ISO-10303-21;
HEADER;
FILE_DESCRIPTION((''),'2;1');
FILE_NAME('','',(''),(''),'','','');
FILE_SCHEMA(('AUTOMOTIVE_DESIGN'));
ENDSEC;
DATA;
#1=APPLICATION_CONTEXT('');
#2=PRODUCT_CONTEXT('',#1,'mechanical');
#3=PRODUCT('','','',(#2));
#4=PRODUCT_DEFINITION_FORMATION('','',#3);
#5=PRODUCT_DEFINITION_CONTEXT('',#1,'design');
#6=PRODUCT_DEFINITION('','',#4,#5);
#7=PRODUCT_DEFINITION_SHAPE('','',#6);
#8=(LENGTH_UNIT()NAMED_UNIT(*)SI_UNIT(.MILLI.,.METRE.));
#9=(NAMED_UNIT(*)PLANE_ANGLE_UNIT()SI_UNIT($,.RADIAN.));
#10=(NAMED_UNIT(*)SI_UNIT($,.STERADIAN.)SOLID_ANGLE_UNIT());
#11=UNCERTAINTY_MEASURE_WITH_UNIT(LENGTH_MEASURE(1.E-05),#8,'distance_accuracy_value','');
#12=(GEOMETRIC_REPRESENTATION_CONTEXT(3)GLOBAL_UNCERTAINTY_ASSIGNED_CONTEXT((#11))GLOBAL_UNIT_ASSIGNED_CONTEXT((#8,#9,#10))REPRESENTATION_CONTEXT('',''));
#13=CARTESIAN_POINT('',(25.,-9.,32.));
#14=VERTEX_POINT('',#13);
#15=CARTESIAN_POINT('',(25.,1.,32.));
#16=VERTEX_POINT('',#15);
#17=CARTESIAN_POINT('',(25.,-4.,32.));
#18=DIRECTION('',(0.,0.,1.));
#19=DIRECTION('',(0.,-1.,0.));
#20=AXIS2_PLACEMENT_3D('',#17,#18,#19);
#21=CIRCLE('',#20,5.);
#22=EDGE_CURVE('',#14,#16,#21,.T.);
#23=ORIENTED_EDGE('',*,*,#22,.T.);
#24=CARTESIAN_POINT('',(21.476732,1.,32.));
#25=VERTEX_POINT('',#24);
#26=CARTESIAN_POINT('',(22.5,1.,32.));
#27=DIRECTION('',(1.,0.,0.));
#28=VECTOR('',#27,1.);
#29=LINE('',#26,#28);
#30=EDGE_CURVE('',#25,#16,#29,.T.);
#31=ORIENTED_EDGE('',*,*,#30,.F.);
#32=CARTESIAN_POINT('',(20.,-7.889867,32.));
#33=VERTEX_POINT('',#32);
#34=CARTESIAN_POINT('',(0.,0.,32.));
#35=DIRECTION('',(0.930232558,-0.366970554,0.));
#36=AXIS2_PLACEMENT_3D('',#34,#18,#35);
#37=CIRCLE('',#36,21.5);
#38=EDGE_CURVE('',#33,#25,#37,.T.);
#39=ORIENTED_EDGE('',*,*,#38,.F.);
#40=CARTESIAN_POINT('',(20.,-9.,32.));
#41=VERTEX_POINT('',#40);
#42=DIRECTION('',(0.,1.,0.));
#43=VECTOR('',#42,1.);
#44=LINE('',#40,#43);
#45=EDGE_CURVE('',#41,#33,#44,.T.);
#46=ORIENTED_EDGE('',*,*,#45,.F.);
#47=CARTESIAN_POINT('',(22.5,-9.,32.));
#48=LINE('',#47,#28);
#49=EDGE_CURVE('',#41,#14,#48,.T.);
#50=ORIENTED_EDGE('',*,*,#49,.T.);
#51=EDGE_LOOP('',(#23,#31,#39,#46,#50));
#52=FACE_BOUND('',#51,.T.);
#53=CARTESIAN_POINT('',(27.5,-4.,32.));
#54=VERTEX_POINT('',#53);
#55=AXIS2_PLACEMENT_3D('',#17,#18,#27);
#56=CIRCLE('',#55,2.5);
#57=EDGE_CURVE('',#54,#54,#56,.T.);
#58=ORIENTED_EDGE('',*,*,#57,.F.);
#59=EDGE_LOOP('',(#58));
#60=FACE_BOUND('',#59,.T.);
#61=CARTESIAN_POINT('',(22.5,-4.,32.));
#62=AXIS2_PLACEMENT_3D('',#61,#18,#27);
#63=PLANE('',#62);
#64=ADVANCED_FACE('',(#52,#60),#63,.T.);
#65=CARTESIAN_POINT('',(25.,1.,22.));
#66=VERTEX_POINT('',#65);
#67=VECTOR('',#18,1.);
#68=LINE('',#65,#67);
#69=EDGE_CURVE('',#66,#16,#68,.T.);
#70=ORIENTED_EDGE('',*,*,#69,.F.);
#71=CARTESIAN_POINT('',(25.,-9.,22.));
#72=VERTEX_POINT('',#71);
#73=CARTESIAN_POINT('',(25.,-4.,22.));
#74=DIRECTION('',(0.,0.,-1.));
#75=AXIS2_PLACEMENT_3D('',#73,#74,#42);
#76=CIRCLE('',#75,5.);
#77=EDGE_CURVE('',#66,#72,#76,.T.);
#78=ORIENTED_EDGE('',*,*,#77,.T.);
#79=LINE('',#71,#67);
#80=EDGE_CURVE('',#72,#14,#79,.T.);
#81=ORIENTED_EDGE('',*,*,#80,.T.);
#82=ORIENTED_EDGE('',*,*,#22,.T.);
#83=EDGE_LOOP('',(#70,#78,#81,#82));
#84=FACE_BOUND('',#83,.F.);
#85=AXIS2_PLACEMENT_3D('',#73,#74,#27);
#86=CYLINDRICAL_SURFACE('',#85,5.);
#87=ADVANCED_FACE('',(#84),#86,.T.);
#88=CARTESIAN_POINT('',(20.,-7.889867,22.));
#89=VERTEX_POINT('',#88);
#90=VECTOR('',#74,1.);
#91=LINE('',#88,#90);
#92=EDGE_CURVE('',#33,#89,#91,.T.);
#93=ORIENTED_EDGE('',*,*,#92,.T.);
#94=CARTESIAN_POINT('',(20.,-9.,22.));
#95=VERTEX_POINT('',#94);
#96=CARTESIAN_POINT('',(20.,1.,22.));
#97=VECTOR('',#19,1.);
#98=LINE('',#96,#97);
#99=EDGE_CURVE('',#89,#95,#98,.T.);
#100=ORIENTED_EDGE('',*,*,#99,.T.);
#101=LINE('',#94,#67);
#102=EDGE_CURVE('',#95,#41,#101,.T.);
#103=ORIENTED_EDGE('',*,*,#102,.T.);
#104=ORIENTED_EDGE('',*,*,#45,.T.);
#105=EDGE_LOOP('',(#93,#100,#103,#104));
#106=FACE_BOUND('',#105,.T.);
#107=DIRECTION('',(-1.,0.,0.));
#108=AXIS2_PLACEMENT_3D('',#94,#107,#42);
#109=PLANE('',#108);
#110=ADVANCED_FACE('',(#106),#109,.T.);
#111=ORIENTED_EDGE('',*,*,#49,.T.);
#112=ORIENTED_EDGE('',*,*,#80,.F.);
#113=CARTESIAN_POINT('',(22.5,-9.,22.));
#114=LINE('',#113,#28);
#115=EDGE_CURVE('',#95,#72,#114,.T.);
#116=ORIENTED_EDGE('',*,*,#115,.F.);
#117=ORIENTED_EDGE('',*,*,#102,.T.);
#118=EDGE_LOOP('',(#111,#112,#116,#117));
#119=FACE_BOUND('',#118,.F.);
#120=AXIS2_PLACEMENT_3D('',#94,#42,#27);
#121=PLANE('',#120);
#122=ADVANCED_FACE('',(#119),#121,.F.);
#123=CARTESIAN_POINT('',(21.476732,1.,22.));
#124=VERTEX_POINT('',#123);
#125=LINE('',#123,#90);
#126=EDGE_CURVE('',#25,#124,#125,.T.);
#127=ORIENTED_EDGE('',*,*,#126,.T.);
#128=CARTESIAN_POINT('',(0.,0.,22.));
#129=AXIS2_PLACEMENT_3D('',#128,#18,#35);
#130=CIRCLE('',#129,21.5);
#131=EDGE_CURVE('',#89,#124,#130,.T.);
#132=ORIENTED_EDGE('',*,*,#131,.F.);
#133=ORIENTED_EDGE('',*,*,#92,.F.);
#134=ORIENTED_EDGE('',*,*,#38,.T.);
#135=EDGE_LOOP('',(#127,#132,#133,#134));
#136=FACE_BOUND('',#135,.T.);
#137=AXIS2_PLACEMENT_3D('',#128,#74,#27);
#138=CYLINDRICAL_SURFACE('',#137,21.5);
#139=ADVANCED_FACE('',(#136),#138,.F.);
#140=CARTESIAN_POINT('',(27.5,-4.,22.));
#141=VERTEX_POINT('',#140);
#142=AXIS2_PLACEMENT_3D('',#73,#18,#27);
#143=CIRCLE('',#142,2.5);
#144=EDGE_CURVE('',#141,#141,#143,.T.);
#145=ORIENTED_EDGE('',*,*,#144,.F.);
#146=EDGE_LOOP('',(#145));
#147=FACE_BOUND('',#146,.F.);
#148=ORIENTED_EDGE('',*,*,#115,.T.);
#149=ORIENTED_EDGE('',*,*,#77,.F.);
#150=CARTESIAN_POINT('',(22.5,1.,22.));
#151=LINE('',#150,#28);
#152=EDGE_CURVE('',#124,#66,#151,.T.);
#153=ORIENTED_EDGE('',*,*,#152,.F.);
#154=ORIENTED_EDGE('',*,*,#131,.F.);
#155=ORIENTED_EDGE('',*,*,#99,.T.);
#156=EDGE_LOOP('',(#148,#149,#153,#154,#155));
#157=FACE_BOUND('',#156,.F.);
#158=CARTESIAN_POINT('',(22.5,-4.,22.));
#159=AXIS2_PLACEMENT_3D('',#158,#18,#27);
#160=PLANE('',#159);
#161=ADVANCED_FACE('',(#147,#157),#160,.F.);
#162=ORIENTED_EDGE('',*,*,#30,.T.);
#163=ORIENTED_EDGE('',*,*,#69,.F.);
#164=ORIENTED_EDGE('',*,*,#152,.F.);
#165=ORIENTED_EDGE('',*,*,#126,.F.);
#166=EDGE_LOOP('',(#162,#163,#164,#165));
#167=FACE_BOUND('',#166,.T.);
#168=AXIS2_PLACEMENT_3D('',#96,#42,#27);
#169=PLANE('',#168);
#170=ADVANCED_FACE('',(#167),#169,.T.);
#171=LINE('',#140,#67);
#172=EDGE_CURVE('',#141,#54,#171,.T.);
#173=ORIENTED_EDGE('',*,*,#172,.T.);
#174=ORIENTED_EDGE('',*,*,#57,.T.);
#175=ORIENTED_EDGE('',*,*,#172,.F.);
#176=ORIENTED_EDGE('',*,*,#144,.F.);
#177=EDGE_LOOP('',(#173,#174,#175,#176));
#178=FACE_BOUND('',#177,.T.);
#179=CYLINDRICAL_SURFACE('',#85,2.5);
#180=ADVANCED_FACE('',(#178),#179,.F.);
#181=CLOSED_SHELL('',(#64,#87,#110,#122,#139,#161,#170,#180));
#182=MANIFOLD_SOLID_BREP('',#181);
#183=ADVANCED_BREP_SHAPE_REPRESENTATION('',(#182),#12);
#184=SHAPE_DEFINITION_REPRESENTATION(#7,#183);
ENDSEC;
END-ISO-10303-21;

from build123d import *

# Parameters (mm, degrees)
CYLINDER416_R     = 2.5
CYLINDER416_DEPTH = 10
CYLINDER418_R     = 21.5
CYLINDER418_DEPTH = 63
BOX001_W          = 5
BOX001_H          = 10
BOX001_DEPTH      = 10
CYLINDER417_R     = 5
CYLINDER417_DEPTH = 10


with BuildPart() as cylinder416:
    # Cylinder416 → Cylinder416 (new body)
    with BuildSketch(Plane(origin=(25, -4, 0), x_dir=(1, 0, 0), z_dir=(0, 0, 1))):
        Circle(CYLINDER416_R)
    extrude(amount=CYLINDER416_DEPTH)


with BuildPart() as fusion093:
    # Cylinder418 → Cylinder418 (new body)
    with BuildSketch(Plane.XY):
        Circle(CYLINDER418_R)
    extrude(amount=CYLINDER418_DEPTH)

    # Fusion093: union Cylinder416
    add(cylinder416.part)


with BuildPart() as cube001:
    # Box001 → Box001 (new body)
    with BuildSketch(Plane(origin=(20, -9, 0), x_dir=(1, 0, 0), z_dir=(0, 0, 1))):
        with Locations((2.5, 5)):
            Rectangle(BOX001_W, BOX001_H)
    extrude(amount=BOX001_DEPTH)


with BuildPart() as slider:
    # Cylinder417 → Cylinder417 (new body)
    with BuildSketch(Plane(origin=(25, -4, 0), x_dir=(1, 0, 0), z_dir=(0, 0, 1))):
        Circle(CYLINDER417_R)
    extrude(amount=CYLINDER417_DEPTH)

    # Fusion092: union Cube001
    add(cube001.part)

    # Cut236: cut Fusion093
    add(fusion093.part, mode=Mode.SUBTRACT)


with BuildPart() as slider_1:
    # Cut236 placement: moved
    add(slider.part.moved(Location((0, 0, 22))))


solid = slider_1.part
